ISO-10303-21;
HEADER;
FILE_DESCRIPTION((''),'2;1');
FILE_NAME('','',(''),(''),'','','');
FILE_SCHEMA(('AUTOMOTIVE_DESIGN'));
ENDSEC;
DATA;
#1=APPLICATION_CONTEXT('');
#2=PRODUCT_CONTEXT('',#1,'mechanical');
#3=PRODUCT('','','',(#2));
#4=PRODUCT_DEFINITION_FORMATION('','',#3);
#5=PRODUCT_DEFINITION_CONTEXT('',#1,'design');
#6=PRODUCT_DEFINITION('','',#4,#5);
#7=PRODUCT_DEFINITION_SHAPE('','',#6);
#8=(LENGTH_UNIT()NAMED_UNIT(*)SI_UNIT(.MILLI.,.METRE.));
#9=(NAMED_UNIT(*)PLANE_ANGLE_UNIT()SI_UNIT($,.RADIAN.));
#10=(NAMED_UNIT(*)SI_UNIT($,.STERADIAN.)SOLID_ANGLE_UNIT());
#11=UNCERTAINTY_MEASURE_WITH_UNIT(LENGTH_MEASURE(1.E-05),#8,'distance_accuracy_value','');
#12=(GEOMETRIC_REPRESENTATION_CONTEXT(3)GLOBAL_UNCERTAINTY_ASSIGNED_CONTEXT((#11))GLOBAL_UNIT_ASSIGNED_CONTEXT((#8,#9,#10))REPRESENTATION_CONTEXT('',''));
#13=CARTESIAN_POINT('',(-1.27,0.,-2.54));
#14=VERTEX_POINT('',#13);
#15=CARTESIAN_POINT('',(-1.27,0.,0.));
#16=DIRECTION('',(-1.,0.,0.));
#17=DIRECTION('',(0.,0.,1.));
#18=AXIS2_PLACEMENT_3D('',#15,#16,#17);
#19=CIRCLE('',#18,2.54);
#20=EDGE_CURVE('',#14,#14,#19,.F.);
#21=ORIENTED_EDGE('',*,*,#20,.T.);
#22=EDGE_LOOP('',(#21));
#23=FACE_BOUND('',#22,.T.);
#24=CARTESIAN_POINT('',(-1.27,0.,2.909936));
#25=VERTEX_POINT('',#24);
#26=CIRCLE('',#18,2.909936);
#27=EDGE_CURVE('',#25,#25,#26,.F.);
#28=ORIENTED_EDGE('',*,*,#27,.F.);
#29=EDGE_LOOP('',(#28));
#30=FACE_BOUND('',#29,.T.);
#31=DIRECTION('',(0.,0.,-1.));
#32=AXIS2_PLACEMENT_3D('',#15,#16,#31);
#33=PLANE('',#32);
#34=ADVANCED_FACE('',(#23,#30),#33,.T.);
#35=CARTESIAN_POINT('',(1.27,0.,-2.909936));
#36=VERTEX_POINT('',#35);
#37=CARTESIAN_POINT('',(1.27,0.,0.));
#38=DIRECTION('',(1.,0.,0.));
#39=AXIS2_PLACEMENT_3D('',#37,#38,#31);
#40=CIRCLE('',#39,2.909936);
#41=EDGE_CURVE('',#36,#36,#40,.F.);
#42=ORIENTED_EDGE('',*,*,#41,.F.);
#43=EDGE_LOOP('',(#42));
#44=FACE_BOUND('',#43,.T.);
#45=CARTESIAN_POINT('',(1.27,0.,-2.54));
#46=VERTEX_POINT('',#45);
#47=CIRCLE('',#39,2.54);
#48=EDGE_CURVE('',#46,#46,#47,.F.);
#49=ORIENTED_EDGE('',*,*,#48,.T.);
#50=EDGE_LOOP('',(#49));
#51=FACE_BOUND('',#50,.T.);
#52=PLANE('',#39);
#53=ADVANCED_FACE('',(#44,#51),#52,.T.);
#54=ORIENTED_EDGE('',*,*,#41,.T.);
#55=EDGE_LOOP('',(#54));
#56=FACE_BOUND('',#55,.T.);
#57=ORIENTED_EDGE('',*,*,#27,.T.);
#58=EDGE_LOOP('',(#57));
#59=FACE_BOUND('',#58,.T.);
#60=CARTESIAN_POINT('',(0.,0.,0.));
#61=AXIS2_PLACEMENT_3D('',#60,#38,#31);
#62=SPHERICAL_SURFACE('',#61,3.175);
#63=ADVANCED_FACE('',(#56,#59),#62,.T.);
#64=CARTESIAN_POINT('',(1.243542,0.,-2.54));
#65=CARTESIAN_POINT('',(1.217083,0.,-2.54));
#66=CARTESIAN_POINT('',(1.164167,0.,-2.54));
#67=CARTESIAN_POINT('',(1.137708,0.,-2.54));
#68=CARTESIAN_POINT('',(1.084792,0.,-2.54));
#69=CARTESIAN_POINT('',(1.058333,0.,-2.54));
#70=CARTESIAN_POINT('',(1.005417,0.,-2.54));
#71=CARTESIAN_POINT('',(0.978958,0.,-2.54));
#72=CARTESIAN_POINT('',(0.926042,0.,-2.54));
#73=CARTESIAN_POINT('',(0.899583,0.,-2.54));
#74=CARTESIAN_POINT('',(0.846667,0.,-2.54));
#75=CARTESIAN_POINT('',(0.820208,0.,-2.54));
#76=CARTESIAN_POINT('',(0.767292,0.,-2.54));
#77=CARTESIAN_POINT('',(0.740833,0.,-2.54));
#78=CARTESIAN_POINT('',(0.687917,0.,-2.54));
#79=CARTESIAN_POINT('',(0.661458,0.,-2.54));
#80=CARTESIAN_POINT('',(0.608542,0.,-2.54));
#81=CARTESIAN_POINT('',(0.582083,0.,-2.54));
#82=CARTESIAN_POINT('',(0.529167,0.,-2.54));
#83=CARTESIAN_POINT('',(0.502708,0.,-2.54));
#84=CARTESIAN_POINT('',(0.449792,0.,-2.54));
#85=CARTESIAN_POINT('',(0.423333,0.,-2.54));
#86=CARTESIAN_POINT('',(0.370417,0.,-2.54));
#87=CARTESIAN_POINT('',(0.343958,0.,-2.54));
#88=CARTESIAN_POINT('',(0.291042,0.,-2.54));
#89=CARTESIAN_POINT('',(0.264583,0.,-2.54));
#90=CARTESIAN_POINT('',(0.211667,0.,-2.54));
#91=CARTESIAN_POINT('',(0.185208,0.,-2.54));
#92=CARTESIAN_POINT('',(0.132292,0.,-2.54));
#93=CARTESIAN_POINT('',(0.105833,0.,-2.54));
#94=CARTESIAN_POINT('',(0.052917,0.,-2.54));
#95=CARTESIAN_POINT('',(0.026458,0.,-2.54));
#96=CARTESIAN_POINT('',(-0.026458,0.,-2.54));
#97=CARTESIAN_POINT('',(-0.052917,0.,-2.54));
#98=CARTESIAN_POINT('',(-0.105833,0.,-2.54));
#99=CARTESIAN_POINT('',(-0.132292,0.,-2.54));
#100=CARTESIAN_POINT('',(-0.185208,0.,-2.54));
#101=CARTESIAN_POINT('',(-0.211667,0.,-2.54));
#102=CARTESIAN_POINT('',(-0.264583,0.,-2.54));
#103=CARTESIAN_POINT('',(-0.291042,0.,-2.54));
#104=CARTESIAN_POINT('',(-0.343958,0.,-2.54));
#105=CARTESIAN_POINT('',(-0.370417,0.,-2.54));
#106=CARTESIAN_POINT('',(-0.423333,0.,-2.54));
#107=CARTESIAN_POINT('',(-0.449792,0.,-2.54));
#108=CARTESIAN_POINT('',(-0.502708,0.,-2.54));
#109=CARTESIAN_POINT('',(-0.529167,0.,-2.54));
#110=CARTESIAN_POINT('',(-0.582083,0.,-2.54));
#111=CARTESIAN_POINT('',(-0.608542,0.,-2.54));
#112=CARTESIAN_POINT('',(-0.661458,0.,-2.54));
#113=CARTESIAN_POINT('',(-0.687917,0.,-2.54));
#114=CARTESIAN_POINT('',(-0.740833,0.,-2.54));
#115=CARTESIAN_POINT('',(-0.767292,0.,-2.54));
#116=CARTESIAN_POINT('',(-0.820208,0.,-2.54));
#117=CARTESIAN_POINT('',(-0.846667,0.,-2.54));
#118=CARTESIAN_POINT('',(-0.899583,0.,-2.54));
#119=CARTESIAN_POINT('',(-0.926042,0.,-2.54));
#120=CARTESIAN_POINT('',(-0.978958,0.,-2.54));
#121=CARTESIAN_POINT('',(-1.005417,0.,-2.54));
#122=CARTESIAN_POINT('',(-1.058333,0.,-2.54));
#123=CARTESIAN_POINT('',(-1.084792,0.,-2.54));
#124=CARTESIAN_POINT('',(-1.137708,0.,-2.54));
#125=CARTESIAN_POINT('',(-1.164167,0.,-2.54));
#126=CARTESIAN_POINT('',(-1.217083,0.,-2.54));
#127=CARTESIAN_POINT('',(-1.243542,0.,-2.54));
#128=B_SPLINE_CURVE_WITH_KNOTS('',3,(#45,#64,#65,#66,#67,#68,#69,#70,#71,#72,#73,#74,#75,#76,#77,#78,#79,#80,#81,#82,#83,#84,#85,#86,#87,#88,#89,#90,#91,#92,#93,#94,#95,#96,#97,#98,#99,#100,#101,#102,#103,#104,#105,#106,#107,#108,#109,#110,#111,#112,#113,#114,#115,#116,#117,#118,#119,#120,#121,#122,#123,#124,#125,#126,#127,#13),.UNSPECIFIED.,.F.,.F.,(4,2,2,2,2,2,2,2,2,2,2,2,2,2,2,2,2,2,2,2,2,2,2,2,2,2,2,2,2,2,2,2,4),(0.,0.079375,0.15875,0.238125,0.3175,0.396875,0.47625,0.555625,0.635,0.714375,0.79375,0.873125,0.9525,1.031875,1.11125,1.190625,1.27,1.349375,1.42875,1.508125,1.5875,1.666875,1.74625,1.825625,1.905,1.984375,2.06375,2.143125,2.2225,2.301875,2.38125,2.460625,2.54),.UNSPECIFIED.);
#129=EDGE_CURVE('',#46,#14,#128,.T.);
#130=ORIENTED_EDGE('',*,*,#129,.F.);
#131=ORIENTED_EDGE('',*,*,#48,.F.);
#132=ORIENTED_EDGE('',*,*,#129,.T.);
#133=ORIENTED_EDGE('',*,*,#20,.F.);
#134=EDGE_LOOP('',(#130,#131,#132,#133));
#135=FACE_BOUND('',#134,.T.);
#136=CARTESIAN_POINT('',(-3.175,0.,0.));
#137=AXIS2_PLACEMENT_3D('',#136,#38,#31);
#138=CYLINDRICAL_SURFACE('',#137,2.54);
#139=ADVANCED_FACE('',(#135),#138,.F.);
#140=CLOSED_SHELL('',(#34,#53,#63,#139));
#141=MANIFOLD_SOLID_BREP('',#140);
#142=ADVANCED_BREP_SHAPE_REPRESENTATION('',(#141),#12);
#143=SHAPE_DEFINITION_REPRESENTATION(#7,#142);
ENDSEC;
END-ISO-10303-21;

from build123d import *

# Parameters (mm, degrees)
CUT_EXTRUDE1_DEPTH      = 9.844526556
CUT_EXTRUDE1_DEPTH_BACK = 9.844526556
SKETCH2_R               = 2.54
SKETCH3_R               = 3.175
CUT_EXTRUDE2_DEPTH      = 5.08


with BuildPart() as part:
    # Sketch1 → Revolve1 (revolve)
    with BuildSketch(Plane(origin=(0, 0, 0), x_dir=(1, 0, 0), z_dir=(0, 1, 0))):
        with BuildLine():
            Line((0, 3.175), (0, -3.175))
            ThreePointArc((0, -3.175), (-3.175, 0), (0, 3.175))
        make_face()
    revolve(axis=Axis((0, 0, -3.175), (0, 0, 1)))

    # Sketch2 → Cut-Extrude1 (cut, two sides: drawn at the far end of the back side and taken through both)
    with BuildSketch(Plane(origin=(4.445, 0, 0), x_dir=(0, 0, -1), z_dir=(1, 0, 0)).offset(-CUT_EXTRUDE1_DEPTH_BACK)):
        Circle(SKETCH2_R)
    extrude(amount=CUT_EXTRUDE1_DEPTH + CUT_EXTRUDE1_DEPTH_BACK, mode=Mode.SUBTRACT)

    # Sketch3 → Cut-Extrude2 (cut)
    with BuildSketch(Plane(origin=(6.35, 0, 0), x_dir=(0, 0, -1), z_dir=(1, 0, 0))):
        Circle(SKETCH3_R)
    cut_extrude2 = extrude(amount=-CUT_EXTRUDE2_DEPTH, mode=Mode.SUBTRACT)

    # Mirror1: Cut-Extrude2 across plane
    add(cut_extrude2.mirror(Plane(origin=(0, 0, 0), x_dir=(0, 0, 1), z_dir=(1, 0, 0))), mode=Mode.SUBTRACT)


solid = part.part
